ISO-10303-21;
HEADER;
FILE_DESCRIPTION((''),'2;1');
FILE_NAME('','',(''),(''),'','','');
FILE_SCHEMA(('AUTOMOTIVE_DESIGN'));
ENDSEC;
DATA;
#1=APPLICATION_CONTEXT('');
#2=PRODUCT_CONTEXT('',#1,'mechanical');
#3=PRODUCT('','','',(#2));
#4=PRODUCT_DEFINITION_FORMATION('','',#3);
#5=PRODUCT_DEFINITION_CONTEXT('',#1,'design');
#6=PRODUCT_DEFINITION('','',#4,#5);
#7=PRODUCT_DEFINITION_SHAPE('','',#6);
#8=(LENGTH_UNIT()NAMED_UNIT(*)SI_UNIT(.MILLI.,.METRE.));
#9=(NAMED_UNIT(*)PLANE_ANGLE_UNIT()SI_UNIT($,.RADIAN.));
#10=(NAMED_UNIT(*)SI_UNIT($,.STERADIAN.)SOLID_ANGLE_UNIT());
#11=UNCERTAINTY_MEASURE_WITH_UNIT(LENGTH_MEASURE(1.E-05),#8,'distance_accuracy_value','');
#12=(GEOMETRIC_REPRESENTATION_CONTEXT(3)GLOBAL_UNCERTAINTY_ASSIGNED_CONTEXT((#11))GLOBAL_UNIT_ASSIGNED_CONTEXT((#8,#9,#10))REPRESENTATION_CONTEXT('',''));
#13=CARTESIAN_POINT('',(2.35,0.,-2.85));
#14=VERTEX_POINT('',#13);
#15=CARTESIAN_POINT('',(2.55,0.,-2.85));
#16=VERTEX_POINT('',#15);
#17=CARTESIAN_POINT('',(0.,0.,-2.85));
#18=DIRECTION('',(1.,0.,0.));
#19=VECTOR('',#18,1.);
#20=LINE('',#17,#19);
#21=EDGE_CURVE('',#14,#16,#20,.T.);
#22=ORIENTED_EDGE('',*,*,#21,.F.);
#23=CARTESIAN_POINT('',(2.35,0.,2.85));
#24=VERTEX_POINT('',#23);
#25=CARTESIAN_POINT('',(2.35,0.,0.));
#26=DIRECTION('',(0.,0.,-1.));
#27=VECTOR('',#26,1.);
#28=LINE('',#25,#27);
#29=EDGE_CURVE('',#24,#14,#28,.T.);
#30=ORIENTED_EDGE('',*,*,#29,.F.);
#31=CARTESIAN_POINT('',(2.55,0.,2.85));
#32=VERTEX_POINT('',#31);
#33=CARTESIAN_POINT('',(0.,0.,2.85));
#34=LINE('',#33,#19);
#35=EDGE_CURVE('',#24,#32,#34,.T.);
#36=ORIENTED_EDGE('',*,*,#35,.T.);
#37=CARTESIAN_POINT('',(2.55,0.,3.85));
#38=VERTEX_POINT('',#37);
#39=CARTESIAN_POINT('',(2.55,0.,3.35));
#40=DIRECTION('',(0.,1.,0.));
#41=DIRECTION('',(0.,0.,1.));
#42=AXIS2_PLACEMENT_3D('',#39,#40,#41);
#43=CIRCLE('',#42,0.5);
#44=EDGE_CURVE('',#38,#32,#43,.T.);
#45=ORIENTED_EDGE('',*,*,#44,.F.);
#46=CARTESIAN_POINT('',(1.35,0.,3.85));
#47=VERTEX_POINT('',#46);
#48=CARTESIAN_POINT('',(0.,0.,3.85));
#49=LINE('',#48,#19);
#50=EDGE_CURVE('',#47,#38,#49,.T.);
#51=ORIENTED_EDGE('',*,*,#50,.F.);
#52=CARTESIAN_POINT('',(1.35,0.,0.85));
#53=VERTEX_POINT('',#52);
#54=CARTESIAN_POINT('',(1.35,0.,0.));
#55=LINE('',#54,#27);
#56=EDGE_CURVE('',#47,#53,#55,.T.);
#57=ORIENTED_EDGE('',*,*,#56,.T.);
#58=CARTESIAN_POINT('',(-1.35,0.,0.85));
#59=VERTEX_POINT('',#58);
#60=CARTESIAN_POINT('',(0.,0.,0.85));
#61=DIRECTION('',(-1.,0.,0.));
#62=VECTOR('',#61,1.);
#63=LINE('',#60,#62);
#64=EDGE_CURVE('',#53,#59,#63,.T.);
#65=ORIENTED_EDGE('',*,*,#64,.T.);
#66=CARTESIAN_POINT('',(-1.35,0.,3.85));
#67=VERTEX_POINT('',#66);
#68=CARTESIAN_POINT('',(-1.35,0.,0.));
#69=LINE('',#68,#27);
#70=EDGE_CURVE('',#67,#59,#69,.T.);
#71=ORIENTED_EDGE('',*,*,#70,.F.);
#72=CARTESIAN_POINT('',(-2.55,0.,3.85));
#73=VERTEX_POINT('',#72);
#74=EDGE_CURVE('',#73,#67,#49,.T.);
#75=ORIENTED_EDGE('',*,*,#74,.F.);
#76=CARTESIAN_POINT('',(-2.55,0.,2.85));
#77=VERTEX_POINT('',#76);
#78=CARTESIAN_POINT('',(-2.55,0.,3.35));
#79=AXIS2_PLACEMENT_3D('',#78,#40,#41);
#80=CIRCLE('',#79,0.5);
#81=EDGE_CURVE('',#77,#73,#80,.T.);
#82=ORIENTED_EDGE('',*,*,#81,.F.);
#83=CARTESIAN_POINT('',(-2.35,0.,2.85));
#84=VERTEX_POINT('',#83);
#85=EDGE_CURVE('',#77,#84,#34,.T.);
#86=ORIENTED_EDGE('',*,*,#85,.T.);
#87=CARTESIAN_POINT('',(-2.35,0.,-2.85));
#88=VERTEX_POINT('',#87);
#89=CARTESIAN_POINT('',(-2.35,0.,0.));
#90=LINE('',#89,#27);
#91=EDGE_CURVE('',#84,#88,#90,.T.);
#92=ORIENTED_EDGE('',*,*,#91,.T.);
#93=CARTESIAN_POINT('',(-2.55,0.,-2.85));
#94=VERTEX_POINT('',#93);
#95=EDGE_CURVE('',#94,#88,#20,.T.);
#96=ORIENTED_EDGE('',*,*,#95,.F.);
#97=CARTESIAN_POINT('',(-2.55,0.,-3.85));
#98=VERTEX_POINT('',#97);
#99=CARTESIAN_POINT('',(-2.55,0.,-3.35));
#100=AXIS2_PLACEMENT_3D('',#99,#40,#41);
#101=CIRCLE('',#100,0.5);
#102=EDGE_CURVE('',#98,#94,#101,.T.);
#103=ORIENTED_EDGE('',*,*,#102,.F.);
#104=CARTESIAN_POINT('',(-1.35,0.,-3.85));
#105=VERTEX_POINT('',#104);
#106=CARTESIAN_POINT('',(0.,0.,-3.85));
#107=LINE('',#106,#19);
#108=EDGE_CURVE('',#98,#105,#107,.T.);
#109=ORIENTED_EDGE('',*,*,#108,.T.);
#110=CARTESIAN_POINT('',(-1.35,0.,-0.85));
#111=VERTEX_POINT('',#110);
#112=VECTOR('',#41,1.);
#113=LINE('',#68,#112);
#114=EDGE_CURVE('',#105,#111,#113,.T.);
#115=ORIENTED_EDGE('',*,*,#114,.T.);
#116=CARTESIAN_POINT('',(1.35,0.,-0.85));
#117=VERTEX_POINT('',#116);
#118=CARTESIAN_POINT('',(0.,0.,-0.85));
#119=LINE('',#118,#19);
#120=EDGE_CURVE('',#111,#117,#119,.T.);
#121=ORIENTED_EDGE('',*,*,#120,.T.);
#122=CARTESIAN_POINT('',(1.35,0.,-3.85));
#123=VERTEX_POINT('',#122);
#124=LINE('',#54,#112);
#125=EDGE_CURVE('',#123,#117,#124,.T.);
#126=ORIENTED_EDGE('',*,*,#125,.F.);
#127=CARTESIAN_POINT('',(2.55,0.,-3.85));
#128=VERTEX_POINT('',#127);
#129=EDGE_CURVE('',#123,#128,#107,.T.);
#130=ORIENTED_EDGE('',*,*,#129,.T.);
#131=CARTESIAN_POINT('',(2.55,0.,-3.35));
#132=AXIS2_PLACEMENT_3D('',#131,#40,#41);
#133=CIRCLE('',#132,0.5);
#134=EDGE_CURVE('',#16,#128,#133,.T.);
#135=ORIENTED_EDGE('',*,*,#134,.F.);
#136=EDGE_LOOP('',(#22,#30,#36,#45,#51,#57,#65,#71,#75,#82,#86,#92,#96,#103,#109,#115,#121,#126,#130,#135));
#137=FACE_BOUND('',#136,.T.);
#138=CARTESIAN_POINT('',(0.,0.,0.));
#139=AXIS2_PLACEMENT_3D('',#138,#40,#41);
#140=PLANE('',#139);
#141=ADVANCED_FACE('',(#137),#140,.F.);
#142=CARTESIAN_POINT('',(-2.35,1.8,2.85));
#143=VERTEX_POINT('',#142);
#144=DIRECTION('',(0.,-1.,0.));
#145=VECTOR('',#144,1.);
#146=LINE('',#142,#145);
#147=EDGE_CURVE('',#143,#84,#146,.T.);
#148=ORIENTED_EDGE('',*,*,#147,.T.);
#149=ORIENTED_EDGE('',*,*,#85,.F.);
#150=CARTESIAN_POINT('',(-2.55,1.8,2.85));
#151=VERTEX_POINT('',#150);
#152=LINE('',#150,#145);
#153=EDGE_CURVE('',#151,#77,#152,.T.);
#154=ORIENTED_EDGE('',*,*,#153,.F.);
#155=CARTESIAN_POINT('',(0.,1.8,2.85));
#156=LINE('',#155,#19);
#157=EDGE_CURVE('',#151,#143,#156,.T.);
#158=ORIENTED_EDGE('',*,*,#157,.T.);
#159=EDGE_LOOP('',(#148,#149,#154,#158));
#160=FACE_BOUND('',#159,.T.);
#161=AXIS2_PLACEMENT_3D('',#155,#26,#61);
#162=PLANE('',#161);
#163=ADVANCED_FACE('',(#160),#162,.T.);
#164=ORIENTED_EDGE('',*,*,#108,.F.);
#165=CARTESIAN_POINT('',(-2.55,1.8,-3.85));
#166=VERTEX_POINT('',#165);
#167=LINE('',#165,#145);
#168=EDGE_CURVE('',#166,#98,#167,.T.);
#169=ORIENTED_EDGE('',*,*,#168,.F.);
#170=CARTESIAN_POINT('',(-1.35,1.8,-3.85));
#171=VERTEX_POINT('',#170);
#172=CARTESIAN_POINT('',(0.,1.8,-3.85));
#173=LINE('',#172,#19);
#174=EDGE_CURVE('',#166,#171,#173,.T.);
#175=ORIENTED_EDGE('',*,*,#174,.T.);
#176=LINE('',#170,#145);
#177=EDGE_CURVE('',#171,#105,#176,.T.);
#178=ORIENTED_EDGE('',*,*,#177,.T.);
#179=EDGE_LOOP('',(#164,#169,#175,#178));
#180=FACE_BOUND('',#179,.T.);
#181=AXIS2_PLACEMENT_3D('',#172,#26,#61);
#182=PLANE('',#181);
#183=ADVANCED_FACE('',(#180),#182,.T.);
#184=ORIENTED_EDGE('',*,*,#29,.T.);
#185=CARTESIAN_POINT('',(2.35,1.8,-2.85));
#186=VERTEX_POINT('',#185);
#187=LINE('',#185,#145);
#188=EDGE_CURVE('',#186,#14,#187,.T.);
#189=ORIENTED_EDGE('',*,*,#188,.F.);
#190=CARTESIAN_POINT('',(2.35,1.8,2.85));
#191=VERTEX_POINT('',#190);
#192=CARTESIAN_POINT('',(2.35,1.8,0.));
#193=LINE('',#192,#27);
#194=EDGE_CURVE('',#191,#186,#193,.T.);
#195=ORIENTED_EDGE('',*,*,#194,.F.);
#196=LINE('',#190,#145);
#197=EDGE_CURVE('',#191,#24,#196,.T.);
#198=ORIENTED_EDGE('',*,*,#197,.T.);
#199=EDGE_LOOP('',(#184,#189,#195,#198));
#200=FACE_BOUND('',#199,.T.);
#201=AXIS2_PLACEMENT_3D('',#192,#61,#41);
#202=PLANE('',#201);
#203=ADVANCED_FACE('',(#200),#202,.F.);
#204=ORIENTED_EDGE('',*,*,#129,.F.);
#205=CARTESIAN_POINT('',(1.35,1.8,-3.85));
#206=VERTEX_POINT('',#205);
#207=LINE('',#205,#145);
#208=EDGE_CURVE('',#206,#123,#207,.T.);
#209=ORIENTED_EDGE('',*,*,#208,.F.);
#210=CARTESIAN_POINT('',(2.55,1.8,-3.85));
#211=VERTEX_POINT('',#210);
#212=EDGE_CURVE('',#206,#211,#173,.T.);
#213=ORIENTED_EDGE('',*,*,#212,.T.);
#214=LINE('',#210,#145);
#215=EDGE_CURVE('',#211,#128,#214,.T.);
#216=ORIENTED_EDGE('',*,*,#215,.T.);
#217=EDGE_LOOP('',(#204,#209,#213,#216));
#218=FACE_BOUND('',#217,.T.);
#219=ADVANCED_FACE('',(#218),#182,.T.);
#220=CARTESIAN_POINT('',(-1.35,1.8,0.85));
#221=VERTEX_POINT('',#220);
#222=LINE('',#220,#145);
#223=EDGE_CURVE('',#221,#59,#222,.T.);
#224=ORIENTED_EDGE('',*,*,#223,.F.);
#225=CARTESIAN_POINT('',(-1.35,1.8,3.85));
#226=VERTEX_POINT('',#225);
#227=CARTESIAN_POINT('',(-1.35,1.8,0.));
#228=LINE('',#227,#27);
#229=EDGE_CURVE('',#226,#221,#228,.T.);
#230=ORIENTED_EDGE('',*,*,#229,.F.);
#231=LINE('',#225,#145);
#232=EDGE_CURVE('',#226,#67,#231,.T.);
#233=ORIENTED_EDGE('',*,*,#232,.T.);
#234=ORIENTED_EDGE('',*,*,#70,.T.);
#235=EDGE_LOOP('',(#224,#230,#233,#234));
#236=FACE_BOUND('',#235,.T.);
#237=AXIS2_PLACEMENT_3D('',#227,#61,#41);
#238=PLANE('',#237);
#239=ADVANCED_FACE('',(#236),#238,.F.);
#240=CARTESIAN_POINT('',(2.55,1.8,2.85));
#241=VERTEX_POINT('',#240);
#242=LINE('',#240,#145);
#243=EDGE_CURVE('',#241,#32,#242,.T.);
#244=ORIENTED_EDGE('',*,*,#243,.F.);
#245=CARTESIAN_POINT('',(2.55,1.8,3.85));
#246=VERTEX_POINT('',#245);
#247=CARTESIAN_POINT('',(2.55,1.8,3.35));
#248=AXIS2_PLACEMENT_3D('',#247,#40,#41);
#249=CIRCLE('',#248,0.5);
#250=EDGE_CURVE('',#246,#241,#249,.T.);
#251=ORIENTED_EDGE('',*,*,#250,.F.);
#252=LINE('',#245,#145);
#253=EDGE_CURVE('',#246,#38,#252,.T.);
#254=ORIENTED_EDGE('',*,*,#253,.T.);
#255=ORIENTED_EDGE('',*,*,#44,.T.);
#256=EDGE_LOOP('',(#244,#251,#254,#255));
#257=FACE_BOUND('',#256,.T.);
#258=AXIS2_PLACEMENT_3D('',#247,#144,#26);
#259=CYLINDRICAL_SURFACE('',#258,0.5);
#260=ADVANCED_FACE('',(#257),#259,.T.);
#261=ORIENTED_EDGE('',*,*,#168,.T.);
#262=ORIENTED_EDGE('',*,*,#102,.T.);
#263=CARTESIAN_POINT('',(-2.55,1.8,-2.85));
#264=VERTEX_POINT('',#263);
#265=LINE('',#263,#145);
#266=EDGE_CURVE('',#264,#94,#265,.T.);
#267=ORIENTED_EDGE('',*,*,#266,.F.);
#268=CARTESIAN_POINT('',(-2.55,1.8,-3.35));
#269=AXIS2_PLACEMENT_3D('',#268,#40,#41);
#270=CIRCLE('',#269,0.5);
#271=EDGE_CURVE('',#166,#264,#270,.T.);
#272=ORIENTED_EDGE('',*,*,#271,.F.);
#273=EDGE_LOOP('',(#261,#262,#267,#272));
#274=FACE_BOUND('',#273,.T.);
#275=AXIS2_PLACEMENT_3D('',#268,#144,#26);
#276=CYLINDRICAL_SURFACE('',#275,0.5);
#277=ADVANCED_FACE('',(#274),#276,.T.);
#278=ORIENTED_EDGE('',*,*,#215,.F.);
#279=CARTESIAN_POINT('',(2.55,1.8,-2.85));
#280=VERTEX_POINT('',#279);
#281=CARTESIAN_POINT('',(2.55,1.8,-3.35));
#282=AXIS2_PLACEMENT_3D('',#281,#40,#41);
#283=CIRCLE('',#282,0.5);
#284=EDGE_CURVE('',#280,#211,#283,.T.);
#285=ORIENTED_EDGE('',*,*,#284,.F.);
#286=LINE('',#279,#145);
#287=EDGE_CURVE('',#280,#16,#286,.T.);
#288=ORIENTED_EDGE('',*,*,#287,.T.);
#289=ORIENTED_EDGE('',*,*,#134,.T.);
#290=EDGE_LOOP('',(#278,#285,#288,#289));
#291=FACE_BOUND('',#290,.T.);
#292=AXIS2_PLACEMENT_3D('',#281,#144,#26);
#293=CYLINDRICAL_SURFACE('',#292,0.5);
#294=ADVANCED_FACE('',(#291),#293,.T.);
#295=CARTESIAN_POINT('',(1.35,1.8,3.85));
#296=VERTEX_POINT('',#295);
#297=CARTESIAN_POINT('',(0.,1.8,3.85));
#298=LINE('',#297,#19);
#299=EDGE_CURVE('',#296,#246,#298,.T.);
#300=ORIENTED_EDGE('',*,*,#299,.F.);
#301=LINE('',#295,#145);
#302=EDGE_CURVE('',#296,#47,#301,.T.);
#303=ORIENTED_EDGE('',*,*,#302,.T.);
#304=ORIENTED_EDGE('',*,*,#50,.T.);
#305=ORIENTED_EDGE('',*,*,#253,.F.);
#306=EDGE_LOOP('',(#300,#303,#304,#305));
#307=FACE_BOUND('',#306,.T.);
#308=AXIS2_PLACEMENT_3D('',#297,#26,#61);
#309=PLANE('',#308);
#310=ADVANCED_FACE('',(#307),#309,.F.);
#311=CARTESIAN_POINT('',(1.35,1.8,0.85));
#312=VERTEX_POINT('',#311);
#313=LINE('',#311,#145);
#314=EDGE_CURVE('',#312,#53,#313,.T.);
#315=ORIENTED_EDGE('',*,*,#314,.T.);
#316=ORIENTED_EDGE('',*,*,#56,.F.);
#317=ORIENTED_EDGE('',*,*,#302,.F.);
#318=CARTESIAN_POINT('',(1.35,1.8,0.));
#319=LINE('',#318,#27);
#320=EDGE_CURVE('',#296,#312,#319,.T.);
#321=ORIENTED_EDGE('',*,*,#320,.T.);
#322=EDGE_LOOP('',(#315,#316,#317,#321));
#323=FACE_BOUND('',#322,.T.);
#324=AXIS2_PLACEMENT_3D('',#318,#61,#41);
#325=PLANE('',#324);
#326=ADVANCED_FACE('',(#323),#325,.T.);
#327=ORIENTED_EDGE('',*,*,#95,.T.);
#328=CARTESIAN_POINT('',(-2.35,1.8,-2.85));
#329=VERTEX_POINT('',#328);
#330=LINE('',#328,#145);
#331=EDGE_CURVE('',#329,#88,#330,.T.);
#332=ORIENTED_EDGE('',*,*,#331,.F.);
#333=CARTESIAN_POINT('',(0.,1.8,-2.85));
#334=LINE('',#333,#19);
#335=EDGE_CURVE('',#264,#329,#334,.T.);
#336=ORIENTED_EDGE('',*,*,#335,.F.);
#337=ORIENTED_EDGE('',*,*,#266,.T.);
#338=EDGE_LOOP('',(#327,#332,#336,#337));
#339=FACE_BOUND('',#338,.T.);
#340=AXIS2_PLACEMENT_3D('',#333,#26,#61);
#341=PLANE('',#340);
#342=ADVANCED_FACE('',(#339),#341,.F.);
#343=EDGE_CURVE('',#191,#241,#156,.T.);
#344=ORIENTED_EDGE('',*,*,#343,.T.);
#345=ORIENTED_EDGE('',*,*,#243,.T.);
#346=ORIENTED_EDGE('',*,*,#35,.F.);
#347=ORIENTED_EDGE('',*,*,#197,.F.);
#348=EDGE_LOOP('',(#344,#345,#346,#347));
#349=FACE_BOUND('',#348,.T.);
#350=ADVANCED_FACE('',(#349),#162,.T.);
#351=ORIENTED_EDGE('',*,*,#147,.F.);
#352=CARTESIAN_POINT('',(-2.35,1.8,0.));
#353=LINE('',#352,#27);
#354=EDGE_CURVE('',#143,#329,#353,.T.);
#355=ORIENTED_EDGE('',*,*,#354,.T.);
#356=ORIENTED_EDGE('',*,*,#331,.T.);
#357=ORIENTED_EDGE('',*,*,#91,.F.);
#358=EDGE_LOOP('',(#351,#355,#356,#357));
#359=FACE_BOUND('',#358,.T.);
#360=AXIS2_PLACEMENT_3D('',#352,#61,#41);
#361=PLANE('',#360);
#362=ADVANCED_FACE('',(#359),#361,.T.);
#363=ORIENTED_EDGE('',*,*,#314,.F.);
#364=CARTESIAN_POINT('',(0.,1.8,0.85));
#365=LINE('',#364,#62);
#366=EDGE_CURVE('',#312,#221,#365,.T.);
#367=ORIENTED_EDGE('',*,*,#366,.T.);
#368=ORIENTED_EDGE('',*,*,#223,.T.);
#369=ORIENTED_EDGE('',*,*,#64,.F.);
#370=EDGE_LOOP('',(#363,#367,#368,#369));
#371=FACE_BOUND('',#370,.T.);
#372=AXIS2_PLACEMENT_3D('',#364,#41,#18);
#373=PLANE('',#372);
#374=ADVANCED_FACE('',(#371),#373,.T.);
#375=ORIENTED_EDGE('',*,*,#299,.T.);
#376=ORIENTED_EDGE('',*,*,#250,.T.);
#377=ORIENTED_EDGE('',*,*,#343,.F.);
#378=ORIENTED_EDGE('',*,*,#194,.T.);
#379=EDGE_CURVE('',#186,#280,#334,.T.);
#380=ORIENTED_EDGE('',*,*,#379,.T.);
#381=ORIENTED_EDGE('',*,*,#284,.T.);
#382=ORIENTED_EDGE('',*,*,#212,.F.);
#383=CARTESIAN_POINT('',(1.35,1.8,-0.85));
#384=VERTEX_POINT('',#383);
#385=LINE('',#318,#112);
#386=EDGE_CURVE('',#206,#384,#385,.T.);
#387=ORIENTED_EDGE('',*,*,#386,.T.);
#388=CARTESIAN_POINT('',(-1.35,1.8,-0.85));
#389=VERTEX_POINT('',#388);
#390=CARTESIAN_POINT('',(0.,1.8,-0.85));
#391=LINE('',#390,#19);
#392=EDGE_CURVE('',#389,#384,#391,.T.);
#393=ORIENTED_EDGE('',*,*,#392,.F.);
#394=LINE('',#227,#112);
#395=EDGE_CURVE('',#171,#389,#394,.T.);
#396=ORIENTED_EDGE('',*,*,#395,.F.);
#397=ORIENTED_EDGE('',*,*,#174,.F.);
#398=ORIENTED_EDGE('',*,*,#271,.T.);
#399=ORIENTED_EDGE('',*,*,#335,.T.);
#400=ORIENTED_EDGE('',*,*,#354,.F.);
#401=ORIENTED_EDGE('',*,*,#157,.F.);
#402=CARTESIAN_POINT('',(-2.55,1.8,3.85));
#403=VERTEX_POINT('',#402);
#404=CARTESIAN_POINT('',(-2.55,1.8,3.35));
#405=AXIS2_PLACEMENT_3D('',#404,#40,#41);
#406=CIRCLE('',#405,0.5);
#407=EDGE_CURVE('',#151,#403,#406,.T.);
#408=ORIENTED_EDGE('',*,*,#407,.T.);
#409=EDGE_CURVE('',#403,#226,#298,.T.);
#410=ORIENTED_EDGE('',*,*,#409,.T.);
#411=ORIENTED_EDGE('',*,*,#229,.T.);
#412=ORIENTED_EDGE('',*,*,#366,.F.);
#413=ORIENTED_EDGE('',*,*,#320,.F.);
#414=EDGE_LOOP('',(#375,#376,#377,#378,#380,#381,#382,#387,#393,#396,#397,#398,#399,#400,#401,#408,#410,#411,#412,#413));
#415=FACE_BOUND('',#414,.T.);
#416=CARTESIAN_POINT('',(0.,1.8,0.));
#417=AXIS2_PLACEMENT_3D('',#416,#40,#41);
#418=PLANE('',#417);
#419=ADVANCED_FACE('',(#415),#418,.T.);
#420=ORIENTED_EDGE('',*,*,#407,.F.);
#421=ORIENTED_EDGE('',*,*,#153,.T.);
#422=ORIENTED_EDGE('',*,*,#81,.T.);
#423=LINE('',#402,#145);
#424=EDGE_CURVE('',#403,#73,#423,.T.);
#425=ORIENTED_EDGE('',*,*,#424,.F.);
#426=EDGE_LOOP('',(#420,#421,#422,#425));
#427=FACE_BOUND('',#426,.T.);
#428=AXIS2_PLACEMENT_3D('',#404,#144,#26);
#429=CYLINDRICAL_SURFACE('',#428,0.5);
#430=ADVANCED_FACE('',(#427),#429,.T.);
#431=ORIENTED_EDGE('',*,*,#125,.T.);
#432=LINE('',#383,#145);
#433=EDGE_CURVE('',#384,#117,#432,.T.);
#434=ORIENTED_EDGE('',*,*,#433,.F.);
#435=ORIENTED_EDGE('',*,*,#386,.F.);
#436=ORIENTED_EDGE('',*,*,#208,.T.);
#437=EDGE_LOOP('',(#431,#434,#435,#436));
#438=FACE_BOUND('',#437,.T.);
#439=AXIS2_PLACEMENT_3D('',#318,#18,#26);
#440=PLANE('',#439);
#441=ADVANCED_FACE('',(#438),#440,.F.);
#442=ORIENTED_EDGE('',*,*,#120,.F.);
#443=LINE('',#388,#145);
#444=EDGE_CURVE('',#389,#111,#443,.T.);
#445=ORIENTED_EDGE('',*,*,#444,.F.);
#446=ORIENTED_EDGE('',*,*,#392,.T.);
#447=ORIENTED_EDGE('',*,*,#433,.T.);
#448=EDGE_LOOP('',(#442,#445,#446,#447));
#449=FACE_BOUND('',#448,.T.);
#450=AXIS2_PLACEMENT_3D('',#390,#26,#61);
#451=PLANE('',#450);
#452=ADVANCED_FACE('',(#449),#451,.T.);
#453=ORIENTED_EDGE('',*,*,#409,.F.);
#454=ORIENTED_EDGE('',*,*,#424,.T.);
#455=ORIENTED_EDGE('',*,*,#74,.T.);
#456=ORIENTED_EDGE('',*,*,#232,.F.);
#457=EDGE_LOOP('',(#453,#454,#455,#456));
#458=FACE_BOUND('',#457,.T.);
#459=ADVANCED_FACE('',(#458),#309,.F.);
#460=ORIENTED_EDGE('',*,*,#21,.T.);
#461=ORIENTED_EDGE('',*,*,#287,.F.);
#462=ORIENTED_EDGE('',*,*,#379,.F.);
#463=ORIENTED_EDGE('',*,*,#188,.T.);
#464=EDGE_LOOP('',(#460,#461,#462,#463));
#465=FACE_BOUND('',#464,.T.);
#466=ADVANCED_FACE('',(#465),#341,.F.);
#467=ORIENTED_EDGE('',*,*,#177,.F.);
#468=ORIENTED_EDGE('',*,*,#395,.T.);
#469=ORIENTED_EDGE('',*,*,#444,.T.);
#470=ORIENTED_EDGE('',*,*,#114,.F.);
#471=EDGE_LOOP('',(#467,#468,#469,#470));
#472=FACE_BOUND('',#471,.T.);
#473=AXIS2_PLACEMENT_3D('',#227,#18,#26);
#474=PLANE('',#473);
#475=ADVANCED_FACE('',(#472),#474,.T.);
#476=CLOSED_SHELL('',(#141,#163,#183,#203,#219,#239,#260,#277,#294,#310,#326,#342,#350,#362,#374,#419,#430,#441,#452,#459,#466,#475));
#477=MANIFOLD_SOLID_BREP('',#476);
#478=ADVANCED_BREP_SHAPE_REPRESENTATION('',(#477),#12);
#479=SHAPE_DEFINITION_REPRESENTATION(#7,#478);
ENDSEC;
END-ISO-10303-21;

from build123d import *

# Parameters (mm, degrees)
BOSS_EXTRUDE1_DEPTH = 1.8


with BuildPart() as part:
    # Sketch1 → Boss-Extrude1 (new body)
    with BuildSketch(Plane(origin=(0, 0, 0), x_dir=(1, 0, 0), z_dir=(0, 1, 0))):
        with BuildLine():
            Line((-2.35, -2.85), (-2.55, -2.85))
            ThreePointArc((-2.55, -2.85), (-3.05, -3.35), (-2.55, -3.85))
            Line((-2.55, -3.85), (-1.35, -3.85))
            Line((-1.35, -3.85), (-1.35, -0.85))
            Line((-1.35, -0.85), (1.35, -0.85))
            Line((1.35, -0.85), (1.35, -3.85))
            Line((1.35, -3.85), (2.55, -3.85))
            ThreePointArc((2.55, -3.85), (3.05, -3.35), (2.55, -2.85))
            Line((2.55, -2.85), (2.35, -2.85))
            Line((2.35, -2.85), (2.35, 2.85))
            Line((2.35, 2.85), (2.55, 2.85))
            ThreePointArc((2.55, 2.85), (3.05, 3.35), (2.55, 3.85))
            Line((2.55, 3.85), (1.35, 3.85))
            Line((1.35, 3.85), (1.35, 0.85))
            Line((1.35, 0.85), (-1.35, 0.85))
            Line((-1.35, 0.85), (-1.35, 3.85))
            Line((-1.35, 3.85), (-2.55, 3.85))
            ThreePointArc((-2.55, 3.85), (-3.05, 3.35), (-2.55, 2.85))
            Line((-2.55, 2.85), (-2.35, 2.85))
            Line((-2.35, 2.85), (-2.35, -2.85))
        make_face()
    extrude(amount=BOSS_EXTRUDE1_DEPTH)


solid = part.part
